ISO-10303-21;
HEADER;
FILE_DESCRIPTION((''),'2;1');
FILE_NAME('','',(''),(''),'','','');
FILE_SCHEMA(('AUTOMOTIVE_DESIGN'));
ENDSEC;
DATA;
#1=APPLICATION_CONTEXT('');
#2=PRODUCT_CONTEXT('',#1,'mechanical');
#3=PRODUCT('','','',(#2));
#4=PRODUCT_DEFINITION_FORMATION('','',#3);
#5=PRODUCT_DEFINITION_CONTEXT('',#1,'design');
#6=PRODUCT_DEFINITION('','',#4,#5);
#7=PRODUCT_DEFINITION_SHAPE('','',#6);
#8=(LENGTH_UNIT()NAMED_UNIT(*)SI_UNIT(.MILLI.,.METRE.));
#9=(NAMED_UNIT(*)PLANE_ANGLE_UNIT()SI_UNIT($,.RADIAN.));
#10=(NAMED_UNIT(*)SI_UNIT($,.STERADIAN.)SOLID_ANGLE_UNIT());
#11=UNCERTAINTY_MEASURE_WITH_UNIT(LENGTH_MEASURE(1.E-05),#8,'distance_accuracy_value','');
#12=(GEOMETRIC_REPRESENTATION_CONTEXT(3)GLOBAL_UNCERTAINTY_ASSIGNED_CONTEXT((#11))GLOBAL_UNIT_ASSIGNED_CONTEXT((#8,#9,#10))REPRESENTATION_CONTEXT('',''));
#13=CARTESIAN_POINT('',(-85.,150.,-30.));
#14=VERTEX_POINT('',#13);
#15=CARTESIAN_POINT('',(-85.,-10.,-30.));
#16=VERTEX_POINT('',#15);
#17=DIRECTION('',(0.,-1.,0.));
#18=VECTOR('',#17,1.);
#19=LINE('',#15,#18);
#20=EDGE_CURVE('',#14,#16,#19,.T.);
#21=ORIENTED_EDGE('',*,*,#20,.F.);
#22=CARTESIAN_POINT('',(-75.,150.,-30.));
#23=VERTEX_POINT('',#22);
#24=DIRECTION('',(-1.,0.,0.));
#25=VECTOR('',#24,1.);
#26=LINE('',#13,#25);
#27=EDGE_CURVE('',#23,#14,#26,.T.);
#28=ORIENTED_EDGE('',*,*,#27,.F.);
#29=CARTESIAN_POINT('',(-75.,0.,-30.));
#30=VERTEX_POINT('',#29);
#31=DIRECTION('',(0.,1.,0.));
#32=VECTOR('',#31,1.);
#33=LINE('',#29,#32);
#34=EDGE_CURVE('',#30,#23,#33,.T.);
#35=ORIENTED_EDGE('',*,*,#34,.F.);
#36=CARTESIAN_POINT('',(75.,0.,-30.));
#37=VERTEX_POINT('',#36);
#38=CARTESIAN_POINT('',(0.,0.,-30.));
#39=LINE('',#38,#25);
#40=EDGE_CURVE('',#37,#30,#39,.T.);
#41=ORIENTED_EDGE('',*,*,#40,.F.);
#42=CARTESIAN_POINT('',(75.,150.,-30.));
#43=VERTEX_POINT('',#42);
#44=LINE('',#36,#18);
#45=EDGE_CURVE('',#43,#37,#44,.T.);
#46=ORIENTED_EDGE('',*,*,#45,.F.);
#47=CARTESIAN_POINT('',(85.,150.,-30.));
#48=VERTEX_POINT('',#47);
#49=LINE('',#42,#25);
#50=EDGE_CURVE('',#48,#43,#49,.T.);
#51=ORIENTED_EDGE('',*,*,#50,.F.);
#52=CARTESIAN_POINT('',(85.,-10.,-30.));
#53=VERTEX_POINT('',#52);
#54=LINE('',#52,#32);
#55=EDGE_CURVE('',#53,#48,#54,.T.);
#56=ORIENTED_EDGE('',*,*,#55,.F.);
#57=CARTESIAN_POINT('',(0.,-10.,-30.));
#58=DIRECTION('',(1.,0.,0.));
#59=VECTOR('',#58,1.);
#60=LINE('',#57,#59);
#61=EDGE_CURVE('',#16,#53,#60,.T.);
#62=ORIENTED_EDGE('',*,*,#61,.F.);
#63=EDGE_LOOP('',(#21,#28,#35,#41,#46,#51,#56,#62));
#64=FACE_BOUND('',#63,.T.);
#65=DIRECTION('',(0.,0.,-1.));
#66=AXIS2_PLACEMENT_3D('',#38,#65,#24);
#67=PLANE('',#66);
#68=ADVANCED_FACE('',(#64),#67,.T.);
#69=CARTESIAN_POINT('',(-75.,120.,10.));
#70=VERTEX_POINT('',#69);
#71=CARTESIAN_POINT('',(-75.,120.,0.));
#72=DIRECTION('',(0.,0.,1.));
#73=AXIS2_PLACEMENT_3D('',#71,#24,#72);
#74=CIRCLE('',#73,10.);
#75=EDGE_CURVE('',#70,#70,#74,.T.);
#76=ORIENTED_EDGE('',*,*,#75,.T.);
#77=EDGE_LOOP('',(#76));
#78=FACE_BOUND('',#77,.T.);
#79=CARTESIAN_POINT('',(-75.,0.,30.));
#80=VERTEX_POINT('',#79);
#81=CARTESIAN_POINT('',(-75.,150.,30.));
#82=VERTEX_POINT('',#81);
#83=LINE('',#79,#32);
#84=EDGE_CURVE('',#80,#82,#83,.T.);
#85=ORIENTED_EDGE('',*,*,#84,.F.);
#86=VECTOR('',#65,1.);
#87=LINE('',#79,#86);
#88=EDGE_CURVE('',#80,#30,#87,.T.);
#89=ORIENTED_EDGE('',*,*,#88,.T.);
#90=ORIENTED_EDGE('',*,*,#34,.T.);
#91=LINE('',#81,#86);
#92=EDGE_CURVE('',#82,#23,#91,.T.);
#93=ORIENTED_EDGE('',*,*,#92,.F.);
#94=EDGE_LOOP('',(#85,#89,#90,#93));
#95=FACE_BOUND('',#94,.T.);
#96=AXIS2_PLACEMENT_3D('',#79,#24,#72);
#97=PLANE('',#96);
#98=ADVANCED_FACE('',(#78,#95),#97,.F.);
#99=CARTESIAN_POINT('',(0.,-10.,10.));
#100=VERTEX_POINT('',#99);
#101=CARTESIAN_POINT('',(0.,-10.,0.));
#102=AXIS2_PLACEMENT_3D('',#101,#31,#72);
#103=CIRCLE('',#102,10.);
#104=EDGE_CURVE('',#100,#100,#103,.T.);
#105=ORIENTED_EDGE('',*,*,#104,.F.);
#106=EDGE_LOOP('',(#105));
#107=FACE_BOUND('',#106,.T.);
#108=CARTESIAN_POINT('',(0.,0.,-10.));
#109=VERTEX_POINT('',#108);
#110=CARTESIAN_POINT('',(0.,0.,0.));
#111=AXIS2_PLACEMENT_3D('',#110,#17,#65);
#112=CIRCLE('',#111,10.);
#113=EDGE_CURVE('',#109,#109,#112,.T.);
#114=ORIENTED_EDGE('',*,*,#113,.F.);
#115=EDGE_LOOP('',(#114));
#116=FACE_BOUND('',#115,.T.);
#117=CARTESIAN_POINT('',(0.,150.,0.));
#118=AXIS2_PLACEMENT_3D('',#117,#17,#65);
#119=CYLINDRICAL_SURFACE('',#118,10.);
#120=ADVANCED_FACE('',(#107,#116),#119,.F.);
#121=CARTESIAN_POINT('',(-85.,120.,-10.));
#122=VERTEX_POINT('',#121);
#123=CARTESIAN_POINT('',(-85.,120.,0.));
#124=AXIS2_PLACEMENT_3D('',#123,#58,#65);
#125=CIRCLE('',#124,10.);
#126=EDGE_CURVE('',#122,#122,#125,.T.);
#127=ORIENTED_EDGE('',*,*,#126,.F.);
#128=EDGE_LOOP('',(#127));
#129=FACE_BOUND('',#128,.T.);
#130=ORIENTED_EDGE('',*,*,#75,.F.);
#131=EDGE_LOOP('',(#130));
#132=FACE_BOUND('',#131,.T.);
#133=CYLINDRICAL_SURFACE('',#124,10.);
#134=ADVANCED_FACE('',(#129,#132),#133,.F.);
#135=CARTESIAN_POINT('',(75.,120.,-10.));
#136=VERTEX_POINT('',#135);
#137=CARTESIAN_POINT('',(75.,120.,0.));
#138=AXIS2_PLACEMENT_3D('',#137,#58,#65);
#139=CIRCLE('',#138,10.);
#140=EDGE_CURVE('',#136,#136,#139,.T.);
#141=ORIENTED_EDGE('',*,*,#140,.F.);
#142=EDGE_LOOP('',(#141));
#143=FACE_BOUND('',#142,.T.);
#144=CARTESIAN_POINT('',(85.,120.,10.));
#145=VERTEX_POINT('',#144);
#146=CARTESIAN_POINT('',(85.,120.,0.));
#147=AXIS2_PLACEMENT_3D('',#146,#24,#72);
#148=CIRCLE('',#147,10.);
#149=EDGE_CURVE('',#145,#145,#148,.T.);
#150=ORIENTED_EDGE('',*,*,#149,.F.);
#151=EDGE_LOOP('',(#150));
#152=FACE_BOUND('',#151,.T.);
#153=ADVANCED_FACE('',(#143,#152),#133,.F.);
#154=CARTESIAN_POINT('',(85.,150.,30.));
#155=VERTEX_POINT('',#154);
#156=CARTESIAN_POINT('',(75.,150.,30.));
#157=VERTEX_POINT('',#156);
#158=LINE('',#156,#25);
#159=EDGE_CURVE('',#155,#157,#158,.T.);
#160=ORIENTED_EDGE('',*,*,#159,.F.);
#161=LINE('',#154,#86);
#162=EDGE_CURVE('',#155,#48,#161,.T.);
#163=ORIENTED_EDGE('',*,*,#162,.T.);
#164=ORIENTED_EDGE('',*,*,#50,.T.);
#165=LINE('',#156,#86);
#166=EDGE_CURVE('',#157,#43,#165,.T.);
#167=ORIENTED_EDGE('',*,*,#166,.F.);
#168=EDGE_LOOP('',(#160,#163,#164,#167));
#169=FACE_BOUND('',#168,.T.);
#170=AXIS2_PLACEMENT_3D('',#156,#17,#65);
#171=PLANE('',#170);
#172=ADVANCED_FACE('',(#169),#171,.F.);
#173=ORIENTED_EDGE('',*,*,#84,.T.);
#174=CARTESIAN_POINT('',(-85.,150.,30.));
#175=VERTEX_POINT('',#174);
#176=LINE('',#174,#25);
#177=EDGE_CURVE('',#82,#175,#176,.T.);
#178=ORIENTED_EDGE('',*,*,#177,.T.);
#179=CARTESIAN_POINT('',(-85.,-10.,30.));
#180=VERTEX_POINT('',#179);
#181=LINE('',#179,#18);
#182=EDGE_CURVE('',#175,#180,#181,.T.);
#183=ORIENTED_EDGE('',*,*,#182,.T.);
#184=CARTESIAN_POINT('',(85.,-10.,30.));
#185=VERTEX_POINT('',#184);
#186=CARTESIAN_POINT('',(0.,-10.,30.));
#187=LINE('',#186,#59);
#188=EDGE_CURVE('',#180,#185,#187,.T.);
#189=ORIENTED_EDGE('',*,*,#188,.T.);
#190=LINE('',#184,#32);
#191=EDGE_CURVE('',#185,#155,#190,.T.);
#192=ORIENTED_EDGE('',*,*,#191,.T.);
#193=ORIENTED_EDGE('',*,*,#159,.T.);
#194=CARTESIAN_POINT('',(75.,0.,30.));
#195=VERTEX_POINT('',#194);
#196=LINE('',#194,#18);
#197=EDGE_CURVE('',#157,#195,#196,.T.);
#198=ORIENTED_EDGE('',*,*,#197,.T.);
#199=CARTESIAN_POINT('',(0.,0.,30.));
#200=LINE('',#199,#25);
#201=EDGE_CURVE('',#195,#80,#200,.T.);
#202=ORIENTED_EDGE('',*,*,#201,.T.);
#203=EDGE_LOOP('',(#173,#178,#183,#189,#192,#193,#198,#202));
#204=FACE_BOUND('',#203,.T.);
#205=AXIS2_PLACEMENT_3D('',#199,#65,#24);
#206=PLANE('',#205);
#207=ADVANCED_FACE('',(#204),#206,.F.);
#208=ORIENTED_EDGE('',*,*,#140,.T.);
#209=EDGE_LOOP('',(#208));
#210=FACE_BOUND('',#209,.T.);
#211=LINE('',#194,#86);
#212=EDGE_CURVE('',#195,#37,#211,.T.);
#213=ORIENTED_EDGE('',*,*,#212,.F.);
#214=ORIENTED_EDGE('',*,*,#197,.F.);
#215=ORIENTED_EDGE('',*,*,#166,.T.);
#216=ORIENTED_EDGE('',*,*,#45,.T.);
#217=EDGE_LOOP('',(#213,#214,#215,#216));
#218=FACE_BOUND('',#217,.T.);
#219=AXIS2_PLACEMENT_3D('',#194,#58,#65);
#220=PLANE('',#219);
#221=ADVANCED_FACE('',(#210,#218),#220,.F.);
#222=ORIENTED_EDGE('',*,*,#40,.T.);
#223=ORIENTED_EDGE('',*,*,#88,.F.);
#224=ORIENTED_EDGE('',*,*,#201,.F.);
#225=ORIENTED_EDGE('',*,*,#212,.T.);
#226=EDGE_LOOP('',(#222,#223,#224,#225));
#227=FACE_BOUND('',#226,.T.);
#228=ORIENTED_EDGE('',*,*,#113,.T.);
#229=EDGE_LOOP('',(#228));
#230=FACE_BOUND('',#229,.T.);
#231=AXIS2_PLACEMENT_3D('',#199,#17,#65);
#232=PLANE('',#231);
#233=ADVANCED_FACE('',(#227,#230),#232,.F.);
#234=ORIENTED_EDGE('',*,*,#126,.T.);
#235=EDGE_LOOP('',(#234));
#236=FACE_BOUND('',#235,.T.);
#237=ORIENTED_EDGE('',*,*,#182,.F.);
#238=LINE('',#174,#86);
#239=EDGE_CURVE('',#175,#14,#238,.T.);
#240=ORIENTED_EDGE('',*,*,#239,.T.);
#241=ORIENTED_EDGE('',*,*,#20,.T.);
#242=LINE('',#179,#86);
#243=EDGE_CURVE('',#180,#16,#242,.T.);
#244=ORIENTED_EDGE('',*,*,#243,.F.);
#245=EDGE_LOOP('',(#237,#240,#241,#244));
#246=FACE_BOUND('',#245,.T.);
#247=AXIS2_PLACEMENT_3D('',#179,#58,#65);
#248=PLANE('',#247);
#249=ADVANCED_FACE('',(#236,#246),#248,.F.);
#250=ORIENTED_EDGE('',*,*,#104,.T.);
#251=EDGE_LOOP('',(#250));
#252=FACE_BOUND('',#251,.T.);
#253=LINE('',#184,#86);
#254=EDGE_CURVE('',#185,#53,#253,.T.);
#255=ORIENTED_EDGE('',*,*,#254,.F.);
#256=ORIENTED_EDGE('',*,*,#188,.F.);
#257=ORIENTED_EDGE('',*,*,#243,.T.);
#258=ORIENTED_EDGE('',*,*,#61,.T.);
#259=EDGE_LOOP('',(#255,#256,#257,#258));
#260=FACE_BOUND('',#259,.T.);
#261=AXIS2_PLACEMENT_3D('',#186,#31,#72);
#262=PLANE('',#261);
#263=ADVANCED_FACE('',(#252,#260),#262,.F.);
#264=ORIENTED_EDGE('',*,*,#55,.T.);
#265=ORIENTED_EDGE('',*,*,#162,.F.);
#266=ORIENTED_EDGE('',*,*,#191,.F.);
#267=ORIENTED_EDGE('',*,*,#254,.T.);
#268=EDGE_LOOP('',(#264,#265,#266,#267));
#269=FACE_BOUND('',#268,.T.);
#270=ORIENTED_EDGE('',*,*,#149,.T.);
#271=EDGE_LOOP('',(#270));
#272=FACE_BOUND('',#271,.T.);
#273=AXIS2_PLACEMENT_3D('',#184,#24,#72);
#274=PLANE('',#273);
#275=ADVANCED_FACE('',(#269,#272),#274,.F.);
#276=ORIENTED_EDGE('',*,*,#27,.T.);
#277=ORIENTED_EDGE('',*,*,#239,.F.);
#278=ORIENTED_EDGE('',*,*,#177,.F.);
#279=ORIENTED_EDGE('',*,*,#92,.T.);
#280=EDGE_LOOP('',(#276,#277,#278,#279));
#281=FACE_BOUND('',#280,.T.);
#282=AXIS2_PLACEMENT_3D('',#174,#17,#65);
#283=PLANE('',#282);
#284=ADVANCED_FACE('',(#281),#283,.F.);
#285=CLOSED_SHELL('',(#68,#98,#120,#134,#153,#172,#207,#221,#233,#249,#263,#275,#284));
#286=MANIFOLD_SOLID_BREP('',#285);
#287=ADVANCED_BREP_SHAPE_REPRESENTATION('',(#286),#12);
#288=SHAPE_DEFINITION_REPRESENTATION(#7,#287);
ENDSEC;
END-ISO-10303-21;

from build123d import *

# Parameters (mm, degrees)
BOSS_EXTRUDE1_DEPTH     = 30
CUT_EXTRUDE1_DEPTH      = 229.691932521
CUT_EXTRUDE1_DEPTH_BACK = 229.691932521
SKETCH2_R               = 10
CUT_EXTRUDE2_DEPTH      = 184.643676722
CUT_EXTRUDE2_DEPTH_BACK = 184.643676722
SKETCH3_R               = 10


with BuildPart() as part:
    # Sketch1 → Boss-Extrude1 (new, symmetric)
    with BuildSketch(Plane.XY):
        Polygon((0, 0), (75, 0), (75, 150), (85, 150), (85, -10), (0, -10), (-85, -10), (-85, 150), (-75, 150), (-75, 0), align=None)
    extrude(amount=BOSS_EXTRUDE1_DEPTH, both=True)

    # Sketch2 → Cut-Extrude1 (cut, two sides: drawn at the far end of the back side and taken through both)
    with BuildSketch(Plane(origin=(85, 0, 0), x_dir=(0, 0, -1), z_dir=(1, 0, 0)).offset(-CUT_EXTRUDE1_DEPTH_BACK)):
        with Locations((0, 120)):
            Circle(SKETCH2_R)
    extrude(amount=CUT_EXTRUDE1_DEPTH + CUT_EXTRUDE1_DEPTH_BACK, mode=Mode.SUBTRACT)

    # Sketch3 → Cut-Extrude2 (cut, two sides: drawn at the far end of the back side and taken through both)
    with BuildSketch(Plane.XZ.offset(10).offset(-CUT_EXTRUDE2_DEPTH_BACK)):
        with Locations(Location((0, 0, 0), (0, 0, 270))):
            Circle(SKETCH3_R)
    extrude(amount=CUT_EXTRUDE2_DEPTH + CUT_EXTRUDE2_DEPTH_BACK, mode=Mode.SUBTRACT)


solid = part.part
